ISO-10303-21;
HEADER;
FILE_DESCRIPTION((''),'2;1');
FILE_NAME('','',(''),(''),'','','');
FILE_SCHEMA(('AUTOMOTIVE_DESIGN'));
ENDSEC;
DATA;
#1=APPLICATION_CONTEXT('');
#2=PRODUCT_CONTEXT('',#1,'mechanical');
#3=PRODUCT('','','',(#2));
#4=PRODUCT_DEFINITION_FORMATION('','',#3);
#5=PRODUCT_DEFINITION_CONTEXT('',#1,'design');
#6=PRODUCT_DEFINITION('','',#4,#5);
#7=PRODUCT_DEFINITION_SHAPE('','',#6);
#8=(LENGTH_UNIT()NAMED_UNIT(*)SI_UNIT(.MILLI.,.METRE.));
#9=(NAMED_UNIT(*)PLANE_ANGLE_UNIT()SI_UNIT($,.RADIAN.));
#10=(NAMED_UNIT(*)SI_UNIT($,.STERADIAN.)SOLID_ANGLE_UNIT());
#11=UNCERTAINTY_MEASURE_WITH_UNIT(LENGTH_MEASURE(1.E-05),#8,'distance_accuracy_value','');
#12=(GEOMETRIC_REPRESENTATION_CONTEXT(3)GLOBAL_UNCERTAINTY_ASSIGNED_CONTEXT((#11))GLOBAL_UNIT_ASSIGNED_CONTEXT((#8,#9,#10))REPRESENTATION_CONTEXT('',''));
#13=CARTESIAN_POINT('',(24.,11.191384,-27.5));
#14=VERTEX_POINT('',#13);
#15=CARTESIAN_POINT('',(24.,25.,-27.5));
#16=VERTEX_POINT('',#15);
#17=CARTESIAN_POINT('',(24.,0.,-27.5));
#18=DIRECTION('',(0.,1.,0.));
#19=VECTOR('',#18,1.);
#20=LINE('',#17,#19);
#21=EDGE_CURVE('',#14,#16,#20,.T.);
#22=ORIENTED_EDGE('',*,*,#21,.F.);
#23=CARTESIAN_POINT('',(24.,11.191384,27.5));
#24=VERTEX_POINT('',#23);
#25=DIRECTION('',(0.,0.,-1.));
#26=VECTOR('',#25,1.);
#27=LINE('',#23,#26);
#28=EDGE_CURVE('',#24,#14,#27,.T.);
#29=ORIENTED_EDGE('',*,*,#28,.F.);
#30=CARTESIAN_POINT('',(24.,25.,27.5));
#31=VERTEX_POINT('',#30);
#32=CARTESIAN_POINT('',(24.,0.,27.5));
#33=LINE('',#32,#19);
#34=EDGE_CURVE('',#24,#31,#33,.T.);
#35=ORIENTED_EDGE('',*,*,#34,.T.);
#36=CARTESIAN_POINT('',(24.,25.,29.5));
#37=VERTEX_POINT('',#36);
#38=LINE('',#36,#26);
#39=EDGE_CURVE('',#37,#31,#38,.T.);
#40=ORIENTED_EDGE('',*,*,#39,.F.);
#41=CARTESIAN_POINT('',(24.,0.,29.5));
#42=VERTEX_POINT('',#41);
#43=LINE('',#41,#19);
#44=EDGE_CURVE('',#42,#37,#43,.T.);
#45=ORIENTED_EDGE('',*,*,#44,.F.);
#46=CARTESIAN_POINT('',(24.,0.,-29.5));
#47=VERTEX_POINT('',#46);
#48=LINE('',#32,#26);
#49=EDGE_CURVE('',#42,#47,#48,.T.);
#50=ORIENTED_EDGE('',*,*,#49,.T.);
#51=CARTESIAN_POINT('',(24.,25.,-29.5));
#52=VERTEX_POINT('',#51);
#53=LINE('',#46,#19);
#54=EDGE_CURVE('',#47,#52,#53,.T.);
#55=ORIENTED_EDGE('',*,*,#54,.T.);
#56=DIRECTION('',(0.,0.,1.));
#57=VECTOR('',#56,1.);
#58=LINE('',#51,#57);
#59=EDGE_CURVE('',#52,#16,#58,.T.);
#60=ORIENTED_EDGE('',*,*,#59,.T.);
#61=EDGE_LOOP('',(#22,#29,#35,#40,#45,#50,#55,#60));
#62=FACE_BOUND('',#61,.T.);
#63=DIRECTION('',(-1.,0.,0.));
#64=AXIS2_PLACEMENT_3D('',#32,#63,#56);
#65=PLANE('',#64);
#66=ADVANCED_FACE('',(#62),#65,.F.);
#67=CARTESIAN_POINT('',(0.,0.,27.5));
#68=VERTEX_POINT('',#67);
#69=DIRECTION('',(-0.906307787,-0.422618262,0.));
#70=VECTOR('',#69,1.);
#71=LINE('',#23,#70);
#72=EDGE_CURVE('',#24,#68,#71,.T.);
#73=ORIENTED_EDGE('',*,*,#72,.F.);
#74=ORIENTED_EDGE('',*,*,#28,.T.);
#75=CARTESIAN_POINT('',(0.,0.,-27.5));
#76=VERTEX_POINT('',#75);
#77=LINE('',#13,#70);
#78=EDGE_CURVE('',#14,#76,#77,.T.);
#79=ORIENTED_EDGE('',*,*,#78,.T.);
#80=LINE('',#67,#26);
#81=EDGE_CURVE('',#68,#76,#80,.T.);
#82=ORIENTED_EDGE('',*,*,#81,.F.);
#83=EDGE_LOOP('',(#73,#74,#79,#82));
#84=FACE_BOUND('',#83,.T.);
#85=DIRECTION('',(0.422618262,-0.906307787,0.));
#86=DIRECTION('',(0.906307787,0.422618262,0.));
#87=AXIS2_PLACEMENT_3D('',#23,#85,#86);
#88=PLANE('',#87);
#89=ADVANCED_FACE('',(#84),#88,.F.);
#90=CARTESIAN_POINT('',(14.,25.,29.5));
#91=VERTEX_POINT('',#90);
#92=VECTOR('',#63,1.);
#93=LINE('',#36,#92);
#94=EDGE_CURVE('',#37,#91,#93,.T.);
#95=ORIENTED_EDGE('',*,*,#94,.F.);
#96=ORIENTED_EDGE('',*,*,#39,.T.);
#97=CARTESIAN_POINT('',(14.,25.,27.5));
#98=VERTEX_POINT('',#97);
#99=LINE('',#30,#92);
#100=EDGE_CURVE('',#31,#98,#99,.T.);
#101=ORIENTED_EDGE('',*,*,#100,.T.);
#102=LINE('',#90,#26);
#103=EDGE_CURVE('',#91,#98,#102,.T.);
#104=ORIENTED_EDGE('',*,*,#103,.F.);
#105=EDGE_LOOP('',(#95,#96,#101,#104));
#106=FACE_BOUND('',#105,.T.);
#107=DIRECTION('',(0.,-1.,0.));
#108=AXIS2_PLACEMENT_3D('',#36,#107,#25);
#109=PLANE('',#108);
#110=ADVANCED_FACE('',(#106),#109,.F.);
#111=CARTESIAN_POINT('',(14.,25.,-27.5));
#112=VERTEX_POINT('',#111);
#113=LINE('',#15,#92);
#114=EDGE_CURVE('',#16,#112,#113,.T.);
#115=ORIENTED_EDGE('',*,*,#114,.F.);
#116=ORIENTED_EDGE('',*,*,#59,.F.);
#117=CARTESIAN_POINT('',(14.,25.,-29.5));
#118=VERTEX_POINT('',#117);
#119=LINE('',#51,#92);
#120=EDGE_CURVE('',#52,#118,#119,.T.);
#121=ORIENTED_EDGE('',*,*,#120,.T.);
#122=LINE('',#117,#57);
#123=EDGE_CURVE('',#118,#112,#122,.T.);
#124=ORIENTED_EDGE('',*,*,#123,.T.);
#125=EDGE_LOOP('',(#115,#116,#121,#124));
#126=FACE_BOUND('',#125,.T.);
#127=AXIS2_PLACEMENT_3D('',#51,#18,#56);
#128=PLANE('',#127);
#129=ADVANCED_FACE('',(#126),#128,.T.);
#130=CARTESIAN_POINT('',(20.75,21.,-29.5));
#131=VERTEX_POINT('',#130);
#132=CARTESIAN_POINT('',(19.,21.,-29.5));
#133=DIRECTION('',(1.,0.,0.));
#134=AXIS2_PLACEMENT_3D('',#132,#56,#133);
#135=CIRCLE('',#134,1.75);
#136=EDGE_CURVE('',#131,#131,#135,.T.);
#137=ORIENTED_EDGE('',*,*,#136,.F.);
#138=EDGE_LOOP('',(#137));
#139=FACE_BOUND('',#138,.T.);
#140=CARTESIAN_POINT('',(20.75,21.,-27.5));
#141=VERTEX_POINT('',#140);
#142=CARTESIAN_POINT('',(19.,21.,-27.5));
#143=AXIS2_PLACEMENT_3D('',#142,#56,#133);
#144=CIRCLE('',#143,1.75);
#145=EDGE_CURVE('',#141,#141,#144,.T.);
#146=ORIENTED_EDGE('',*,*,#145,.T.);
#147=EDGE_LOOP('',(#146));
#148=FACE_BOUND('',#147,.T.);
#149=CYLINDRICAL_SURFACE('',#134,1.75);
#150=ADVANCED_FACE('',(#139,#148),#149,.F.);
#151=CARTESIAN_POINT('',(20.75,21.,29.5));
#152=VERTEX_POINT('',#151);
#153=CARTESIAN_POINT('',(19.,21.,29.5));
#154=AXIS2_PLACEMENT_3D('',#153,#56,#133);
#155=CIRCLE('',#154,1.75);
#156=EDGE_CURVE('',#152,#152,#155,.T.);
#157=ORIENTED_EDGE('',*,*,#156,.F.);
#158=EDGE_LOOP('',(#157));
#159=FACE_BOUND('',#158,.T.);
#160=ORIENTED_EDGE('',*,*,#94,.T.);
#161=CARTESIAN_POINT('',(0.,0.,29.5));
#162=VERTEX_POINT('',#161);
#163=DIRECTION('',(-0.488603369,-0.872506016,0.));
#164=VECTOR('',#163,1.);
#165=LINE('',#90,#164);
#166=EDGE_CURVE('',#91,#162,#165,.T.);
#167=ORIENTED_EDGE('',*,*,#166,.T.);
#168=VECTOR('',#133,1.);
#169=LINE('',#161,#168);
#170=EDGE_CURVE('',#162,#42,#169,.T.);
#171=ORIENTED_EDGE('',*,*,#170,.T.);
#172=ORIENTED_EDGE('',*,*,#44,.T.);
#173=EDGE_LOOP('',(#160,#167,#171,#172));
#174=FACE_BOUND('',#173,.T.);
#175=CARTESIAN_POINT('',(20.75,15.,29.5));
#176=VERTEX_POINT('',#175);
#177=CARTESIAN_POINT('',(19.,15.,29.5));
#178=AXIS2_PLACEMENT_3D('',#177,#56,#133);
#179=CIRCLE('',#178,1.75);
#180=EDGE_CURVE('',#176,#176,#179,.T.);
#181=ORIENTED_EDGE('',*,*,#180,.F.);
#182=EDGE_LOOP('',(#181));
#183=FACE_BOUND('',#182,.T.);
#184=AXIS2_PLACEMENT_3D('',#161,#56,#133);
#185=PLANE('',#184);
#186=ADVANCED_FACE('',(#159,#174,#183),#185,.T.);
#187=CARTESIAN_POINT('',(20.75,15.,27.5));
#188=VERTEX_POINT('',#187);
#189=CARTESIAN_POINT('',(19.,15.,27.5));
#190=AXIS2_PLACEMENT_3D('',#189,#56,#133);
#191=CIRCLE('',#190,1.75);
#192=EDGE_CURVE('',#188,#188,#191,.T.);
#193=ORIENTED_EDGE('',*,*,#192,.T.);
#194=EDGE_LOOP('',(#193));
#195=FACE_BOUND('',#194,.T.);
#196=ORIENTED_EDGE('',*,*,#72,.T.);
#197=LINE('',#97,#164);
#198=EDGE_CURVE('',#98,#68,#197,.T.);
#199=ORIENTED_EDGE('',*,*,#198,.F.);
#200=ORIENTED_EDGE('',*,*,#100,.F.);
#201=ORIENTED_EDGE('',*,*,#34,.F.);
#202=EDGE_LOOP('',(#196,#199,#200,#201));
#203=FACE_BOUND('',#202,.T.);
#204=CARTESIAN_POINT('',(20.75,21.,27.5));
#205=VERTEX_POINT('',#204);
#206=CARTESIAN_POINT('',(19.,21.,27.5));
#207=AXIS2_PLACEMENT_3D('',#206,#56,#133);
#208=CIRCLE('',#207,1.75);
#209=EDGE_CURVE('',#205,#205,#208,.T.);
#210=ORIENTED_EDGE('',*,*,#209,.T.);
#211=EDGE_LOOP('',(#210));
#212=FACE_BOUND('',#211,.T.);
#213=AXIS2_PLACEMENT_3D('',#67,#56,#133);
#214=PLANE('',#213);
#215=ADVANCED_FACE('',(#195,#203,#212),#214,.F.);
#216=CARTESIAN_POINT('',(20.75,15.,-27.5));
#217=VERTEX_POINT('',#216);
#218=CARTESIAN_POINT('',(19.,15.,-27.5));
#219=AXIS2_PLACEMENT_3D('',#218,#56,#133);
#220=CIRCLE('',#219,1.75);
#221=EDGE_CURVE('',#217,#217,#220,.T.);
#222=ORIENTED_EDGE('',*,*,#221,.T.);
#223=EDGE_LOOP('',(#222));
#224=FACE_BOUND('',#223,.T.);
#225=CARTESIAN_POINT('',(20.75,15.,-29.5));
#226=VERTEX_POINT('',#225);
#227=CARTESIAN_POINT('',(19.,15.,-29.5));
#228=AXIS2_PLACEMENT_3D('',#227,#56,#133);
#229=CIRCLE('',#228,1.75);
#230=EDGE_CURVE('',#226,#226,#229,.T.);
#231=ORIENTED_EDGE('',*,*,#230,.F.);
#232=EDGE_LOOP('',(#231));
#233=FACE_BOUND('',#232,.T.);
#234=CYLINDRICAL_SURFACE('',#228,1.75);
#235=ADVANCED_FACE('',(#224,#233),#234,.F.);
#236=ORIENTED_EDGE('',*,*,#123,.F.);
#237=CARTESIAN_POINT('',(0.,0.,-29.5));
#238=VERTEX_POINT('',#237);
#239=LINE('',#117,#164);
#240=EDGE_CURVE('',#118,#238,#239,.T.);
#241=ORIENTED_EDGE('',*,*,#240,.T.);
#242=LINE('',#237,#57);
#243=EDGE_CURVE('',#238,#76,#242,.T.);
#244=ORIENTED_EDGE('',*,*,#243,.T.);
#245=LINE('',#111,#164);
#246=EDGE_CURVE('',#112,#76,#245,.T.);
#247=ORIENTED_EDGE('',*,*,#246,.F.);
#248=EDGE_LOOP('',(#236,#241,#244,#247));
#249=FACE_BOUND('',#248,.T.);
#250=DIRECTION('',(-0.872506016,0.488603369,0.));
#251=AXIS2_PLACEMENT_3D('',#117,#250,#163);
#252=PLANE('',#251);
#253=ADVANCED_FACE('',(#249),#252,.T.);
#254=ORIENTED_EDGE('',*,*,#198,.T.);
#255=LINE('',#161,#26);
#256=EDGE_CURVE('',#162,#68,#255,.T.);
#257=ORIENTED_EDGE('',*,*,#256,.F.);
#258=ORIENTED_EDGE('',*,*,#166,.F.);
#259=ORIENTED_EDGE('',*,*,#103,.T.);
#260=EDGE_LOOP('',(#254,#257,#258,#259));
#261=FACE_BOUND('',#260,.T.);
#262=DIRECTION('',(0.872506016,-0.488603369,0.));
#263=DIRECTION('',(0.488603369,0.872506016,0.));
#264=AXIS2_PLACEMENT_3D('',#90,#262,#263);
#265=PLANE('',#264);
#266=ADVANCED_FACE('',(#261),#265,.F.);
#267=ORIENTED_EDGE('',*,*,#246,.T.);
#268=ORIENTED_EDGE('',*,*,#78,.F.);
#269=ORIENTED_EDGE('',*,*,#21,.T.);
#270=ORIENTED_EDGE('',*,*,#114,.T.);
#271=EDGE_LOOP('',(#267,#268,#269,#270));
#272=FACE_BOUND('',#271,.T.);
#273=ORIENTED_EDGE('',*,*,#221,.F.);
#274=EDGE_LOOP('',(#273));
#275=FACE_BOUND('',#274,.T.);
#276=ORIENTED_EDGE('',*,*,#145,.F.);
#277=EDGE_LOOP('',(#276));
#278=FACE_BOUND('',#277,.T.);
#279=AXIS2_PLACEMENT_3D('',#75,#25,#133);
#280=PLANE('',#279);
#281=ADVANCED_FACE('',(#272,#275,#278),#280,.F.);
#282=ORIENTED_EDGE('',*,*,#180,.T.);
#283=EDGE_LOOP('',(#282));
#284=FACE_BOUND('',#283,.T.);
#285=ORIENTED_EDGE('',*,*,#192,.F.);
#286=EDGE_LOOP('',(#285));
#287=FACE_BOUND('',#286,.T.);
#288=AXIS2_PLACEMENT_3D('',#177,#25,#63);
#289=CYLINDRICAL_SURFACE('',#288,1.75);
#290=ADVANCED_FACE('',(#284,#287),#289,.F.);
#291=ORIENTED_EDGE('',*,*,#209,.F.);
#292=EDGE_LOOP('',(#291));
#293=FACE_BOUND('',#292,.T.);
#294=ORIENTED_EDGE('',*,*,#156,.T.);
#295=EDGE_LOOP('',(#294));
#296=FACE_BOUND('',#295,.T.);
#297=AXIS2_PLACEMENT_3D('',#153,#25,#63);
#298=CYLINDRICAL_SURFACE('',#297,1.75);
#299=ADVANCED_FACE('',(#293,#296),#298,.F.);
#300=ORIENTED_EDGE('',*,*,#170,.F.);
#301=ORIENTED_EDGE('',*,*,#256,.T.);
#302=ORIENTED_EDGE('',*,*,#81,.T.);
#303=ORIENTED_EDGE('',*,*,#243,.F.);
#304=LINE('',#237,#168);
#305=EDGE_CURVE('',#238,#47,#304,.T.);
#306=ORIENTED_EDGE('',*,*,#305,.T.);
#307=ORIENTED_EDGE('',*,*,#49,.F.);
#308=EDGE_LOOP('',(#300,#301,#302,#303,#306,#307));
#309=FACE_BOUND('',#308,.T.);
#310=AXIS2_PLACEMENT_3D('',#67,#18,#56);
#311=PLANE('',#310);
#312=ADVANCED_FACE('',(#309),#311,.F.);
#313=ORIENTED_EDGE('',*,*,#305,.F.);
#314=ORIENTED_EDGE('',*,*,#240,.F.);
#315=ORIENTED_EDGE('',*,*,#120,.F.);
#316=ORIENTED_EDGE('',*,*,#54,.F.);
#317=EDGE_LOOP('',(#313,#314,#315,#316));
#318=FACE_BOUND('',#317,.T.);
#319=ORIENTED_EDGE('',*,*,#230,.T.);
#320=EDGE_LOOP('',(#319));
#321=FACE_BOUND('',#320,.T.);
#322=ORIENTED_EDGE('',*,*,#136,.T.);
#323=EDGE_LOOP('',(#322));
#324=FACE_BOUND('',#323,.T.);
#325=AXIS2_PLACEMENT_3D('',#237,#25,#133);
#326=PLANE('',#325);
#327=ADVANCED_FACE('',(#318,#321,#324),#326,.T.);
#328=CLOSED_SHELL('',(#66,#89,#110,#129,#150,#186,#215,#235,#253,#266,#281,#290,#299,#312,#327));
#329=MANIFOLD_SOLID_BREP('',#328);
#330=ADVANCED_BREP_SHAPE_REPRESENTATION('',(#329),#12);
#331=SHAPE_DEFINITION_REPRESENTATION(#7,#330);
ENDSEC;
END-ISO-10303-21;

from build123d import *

# Parameters (mm, degrees)
BOSS_EXTRUDE1_DEPTH = 27.5
SKETCH2_R           = 1.75
BOSS_EXTRUDE2_DEPTH = 2


with BuildPart() as part:
    # Sketch1 → Boss-Extrude1 (new, symmetric)
    with BuildSketch(Plane.XY):
        Polygon((0, 0), (24, 0), (24, 11.191383796), align=None)
    extrude(amount=BOSS_EXTRUDE1_DEPTH, both=True)

    # Sketch2 → Boss-Extrude2 (add)
    with BuildSketch(Plane.XY.offset(27.5)):
        Polygon((24, 0), (24, 25), (14, 25), (0, 0), align=None)
        with Locations((19, 21)):
            Circle(SKETCH2_R, mode=Mode.SUBTRACT)
        with Locations((19, 15)):
            Circle(SKETCH2_R, mode=Mode.SUBTRACT)
    boss_extrude2 = extrude(amount=BOSS_EXTRUDE2_DEPTH)

    # Mirror1: Boss-Extrude2 across plane
    add(boss_extrude2.mirror(Plane.XY))


solid = part.part
